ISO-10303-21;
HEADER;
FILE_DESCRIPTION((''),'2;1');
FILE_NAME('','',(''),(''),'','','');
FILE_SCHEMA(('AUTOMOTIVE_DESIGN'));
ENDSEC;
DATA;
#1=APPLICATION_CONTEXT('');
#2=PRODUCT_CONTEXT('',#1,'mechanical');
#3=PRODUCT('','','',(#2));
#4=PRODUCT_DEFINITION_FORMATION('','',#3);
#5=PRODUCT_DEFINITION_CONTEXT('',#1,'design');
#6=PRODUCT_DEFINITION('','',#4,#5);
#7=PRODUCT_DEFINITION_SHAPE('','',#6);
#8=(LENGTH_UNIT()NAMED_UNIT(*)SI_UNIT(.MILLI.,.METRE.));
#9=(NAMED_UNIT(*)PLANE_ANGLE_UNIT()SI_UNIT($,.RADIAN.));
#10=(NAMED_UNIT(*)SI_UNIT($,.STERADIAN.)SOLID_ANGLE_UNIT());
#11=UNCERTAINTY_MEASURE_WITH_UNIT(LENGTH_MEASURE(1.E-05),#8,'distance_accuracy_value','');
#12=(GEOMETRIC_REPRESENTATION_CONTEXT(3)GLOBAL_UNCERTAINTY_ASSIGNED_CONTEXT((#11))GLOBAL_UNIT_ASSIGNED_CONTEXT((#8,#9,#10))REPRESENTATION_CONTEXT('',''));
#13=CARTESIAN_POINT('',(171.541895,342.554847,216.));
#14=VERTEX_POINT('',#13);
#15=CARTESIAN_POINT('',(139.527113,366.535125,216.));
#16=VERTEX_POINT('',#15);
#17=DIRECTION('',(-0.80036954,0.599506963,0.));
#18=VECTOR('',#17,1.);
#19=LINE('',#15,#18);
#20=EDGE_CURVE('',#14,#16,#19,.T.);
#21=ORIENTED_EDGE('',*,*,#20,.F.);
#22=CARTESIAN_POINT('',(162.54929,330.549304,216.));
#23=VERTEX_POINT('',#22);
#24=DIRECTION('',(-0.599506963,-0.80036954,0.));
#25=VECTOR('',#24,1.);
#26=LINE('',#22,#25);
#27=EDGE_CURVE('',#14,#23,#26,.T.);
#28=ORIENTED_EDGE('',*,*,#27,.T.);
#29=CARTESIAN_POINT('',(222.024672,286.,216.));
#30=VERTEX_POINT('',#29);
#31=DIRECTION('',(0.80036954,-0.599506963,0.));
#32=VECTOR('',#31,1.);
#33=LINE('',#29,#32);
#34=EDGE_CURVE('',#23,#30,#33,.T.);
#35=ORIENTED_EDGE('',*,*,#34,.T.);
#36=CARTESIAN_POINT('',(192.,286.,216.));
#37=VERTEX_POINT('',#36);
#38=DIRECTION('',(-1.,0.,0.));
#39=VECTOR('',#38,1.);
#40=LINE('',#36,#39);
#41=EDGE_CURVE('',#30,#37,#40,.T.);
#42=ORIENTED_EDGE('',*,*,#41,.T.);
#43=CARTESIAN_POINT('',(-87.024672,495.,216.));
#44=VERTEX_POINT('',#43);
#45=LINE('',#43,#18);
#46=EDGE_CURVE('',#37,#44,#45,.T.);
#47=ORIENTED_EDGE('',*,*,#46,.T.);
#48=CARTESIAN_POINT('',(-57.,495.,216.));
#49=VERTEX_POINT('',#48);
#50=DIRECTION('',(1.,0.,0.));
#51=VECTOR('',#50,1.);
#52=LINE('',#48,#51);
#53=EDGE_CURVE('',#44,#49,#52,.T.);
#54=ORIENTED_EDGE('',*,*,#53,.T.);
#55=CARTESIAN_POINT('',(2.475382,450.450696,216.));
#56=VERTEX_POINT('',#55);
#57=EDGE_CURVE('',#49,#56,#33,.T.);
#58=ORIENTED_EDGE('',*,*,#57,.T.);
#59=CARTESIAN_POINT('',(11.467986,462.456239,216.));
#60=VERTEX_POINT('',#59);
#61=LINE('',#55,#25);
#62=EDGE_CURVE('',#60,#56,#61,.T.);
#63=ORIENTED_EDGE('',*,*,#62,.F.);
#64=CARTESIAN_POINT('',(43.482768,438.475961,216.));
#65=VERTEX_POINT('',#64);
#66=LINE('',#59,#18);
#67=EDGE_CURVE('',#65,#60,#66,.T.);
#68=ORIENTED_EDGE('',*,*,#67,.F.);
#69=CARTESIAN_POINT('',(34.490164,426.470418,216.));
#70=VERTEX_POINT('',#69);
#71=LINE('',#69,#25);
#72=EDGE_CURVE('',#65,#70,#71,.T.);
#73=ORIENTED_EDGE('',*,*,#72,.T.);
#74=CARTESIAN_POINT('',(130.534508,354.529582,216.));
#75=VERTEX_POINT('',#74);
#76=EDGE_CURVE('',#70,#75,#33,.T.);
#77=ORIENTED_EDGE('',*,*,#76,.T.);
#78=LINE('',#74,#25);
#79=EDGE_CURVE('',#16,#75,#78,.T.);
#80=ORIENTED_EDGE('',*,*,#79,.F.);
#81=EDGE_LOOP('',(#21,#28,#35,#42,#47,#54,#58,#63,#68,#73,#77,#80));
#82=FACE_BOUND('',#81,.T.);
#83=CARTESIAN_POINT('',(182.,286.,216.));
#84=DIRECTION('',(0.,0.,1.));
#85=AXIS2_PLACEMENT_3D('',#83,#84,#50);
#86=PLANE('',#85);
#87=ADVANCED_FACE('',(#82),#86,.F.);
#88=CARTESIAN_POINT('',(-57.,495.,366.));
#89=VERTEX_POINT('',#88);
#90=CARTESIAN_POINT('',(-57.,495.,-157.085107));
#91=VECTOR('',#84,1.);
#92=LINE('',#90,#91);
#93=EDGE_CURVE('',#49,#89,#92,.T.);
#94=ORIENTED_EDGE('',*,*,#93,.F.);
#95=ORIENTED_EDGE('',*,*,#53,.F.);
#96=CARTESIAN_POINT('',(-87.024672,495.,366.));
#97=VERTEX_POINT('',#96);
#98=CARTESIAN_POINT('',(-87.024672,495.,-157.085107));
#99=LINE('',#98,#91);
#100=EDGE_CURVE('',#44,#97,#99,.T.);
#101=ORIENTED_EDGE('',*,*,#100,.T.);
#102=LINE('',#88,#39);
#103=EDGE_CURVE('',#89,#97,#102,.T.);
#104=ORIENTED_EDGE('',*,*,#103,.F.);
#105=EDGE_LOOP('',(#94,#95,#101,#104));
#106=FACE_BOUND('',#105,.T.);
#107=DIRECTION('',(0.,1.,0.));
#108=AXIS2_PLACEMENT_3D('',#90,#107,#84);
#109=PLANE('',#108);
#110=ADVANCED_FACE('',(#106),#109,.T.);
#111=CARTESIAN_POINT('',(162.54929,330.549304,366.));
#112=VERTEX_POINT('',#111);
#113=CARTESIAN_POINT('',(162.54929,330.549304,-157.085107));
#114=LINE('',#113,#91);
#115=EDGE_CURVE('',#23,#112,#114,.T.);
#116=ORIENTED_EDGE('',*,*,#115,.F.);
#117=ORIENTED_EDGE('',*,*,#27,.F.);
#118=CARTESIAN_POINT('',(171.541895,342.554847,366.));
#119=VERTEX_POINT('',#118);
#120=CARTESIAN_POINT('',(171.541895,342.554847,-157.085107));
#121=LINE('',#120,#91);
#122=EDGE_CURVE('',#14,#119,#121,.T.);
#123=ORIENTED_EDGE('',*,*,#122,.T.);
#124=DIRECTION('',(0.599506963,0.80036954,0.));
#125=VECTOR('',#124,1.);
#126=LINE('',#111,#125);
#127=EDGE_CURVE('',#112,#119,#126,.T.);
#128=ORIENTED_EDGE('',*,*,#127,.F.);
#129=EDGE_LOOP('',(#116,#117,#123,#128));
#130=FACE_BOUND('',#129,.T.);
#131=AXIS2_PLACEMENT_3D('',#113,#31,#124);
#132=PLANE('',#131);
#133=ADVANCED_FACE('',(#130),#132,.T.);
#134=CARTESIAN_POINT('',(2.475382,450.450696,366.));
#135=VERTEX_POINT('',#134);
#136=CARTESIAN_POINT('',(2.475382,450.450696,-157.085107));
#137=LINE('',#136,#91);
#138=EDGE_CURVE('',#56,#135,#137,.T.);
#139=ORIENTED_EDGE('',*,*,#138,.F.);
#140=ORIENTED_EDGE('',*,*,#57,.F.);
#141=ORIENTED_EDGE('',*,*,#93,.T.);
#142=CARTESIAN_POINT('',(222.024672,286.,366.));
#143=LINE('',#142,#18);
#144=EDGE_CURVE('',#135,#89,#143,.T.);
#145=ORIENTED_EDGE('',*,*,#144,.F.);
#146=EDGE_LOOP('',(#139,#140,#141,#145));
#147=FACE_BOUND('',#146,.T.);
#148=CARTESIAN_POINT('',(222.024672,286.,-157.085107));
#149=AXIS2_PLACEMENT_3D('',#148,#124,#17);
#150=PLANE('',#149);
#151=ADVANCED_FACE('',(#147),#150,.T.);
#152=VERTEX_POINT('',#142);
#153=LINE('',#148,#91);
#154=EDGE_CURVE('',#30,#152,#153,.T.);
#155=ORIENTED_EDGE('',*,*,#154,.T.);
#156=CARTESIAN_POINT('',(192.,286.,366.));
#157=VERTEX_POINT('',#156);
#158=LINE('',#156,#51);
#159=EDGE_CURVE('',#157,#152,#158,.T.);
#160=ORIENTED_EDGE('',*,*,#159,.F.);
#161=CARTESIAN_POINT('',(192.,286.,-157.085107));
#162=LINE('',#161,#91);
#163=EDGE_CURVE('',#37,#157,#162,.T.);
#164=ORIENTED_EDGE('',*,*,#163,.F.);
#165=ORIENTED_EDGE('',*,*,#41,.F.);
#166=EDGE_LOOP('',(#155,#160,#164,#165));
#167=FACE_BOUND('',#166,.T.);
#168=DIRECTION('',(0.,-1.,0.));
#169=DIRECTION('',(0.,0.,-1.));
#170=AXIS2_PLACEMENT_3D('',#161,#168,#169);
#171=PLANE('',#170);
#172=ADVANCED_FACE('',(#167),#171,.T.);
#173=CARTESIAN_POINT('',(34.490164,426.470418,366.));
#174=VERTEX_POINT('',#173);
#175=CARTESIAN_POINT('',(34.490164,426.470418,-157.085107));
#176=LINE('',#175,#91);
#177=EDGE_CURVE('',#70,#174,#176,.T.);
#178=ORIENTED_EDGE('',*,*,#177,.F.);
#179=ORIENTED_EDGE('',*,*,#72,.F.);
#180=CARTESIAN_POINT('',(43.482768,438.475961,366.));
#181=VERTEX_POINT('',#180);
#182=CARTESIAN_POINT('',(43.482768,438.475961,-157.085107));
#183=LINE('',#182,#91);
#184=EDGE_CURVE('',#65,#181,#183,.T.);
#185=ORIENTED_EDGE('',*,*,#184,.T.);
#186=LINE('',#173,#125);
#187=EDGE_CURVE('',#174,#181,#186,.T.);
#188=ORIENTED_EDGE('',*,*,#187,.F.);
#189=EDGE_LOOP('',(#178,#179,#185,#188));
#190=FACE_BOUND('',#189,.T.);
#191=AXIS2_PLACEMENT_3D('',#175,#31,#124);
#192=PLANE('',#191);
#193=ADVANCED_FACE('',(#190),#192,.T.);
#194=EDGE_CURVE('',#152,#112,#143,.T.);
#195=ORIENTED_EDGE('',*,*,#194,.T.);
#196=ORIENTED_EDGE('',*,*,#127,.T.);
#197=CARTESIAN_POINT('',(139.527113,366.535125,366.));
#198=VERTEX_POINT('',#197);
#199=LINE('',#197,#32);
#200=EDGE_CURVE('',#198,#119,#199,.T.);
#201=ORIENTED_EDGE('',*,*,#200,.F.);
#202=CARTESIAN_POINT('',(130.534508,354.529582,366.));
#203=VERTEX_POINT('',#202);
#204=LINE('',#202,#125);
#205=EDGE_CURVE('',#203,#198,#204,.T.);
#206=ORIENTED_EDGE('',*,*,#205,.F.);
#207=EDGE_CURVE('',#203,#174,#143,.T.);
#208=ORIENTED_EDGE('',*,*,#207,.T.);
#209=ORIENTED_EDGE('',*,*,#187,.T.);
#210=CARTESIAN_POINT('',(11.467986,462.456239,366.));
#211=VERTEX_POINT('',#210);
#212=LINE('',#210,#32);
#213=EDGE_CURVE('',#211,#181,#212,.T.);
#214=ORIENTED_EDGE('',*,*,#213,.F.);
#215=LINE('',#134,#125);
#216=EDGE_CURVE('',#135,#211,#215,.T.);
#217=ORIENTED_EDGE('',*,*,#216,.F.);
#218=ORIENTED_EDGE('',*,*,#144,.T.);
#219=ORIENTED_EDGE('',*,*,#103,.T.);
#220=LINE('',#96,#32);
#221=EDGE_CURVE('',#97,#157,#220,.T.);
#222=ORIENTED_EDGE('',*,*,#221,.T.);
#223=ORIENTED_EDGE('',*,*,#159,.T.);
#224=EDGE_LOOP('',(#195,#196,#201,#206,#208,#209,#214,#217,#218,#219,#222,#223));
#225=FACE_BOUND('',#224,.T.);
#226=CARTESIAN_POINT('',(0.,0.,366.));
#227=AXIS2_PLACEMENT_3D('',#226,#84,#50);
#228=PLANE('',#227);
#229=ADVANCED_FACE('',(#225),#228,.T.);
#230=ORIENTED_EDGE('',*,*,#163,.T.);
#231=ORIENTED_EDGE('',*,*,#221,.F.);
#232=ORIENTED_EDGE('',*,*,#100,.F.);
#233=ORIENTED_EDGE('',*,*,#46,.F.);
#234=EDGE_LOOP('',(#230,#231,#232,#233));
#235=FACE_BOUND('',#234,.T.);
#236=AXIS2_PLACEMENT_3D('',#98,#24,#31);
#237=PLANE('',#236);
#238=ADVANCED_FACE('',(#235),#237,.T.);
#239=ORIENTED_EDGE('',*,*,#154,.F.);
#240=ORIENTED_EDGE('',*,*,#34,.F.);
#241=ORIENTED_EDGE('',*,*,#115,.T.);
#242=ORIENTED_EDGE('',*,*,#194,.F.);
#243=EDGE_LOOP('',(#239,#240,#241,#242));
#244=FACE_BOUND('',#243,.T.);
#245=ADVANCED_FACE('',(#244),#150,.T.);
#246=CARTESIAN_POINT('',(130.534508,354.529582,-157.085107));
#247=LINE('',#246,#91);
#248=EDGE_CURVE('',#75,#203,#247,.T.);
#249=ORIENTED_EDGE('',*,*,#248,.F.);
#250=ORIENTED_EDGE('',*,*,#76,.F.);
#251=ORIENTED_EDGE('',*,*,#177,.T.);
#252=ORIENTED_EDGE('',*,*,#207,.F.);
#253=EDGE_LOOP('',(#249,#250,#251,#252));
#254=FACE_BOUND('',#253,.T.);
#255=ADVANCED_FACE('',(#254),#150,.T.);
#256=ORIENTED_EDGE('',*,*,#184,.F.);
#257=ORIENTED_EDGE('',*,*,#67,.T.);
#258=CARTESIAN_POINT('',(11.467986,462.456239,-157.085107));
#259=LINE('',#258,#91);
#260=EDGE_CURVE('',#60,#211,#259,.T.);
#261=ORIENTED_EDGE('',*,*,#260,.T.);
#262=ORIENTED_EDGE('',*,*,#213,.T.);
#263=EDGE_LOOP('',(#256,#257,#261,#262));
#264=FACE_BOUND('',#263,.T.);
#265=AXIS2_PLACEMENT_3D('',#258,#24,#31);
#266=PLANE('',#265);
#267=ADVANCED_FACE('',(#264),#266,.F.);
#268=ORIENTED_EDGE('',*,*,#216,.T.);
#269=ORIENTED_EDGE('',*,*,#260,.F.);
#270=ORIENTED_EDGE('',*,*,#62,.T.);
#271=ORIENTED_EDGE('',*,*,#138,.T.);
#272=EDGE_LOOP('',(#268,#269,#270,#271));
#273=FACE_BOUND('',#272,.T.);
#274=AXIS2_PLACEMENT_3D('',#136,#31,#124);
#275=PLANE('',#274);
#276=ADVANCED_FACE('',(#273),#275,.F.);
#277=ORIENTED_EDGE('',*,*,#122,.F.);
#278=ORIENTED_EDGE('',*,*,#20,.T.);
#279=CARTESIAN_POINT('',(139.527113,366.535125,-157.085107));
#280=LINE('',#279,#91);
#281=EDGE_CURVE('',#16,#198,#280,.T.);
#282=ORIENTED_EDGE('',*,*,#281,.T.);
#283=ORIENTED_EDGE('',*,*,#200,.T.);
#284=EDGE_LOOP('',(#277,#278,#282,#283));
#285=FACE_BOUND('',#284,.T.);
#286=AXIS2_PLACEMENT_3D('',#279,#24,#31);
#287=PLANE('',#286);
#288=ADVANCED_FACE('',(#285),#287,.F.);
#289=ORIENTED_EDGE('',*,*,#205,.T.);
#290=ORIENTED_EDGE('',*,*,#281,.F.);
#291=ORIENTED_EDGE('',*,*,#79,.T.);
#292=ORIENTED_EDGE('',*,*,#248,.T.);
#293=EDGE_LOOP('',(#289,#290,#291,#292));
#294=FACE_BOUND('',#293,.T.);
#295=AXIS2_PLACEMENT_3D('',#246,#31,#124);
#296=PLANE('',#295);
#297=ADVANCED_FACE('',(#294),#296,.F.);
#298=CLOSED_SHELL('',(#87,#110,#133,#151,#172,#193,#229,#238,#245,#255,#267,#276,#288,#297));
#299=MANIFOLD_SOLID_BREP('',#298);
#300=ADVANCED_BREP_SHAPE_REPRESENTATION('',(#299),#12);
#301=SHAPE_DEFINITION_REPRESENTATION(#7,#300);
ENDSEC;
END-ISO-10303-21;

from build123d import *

# Parameters (mm, degrees)
EXTRUDE_1_DEPTH = 150


with BuildPart() as part:
    # 草图1 → 凸台-拉伸1 (new body)
    with BuildSketch(Plane.XY.offset(366)):
        Polygon((-87.024672103, 495), (192, 286), (222.024672103, 286), (-57, 495), align=None)
        Polygon((2.475382036, 450.450696342), (34.490163642, 426.470417805), (43.482768093, 438.475960908), (11.467986487, 462.456239445), align=None)
        Polygon((130.534508461, 354.529582195), (162.549290067, 330.549303658), (171.541894518, 342.55484676), (139.527112912, 366.535125297), align=None)
    extrude(amount=-EXTRUDE_1_DEPTH)


solid = part.part
